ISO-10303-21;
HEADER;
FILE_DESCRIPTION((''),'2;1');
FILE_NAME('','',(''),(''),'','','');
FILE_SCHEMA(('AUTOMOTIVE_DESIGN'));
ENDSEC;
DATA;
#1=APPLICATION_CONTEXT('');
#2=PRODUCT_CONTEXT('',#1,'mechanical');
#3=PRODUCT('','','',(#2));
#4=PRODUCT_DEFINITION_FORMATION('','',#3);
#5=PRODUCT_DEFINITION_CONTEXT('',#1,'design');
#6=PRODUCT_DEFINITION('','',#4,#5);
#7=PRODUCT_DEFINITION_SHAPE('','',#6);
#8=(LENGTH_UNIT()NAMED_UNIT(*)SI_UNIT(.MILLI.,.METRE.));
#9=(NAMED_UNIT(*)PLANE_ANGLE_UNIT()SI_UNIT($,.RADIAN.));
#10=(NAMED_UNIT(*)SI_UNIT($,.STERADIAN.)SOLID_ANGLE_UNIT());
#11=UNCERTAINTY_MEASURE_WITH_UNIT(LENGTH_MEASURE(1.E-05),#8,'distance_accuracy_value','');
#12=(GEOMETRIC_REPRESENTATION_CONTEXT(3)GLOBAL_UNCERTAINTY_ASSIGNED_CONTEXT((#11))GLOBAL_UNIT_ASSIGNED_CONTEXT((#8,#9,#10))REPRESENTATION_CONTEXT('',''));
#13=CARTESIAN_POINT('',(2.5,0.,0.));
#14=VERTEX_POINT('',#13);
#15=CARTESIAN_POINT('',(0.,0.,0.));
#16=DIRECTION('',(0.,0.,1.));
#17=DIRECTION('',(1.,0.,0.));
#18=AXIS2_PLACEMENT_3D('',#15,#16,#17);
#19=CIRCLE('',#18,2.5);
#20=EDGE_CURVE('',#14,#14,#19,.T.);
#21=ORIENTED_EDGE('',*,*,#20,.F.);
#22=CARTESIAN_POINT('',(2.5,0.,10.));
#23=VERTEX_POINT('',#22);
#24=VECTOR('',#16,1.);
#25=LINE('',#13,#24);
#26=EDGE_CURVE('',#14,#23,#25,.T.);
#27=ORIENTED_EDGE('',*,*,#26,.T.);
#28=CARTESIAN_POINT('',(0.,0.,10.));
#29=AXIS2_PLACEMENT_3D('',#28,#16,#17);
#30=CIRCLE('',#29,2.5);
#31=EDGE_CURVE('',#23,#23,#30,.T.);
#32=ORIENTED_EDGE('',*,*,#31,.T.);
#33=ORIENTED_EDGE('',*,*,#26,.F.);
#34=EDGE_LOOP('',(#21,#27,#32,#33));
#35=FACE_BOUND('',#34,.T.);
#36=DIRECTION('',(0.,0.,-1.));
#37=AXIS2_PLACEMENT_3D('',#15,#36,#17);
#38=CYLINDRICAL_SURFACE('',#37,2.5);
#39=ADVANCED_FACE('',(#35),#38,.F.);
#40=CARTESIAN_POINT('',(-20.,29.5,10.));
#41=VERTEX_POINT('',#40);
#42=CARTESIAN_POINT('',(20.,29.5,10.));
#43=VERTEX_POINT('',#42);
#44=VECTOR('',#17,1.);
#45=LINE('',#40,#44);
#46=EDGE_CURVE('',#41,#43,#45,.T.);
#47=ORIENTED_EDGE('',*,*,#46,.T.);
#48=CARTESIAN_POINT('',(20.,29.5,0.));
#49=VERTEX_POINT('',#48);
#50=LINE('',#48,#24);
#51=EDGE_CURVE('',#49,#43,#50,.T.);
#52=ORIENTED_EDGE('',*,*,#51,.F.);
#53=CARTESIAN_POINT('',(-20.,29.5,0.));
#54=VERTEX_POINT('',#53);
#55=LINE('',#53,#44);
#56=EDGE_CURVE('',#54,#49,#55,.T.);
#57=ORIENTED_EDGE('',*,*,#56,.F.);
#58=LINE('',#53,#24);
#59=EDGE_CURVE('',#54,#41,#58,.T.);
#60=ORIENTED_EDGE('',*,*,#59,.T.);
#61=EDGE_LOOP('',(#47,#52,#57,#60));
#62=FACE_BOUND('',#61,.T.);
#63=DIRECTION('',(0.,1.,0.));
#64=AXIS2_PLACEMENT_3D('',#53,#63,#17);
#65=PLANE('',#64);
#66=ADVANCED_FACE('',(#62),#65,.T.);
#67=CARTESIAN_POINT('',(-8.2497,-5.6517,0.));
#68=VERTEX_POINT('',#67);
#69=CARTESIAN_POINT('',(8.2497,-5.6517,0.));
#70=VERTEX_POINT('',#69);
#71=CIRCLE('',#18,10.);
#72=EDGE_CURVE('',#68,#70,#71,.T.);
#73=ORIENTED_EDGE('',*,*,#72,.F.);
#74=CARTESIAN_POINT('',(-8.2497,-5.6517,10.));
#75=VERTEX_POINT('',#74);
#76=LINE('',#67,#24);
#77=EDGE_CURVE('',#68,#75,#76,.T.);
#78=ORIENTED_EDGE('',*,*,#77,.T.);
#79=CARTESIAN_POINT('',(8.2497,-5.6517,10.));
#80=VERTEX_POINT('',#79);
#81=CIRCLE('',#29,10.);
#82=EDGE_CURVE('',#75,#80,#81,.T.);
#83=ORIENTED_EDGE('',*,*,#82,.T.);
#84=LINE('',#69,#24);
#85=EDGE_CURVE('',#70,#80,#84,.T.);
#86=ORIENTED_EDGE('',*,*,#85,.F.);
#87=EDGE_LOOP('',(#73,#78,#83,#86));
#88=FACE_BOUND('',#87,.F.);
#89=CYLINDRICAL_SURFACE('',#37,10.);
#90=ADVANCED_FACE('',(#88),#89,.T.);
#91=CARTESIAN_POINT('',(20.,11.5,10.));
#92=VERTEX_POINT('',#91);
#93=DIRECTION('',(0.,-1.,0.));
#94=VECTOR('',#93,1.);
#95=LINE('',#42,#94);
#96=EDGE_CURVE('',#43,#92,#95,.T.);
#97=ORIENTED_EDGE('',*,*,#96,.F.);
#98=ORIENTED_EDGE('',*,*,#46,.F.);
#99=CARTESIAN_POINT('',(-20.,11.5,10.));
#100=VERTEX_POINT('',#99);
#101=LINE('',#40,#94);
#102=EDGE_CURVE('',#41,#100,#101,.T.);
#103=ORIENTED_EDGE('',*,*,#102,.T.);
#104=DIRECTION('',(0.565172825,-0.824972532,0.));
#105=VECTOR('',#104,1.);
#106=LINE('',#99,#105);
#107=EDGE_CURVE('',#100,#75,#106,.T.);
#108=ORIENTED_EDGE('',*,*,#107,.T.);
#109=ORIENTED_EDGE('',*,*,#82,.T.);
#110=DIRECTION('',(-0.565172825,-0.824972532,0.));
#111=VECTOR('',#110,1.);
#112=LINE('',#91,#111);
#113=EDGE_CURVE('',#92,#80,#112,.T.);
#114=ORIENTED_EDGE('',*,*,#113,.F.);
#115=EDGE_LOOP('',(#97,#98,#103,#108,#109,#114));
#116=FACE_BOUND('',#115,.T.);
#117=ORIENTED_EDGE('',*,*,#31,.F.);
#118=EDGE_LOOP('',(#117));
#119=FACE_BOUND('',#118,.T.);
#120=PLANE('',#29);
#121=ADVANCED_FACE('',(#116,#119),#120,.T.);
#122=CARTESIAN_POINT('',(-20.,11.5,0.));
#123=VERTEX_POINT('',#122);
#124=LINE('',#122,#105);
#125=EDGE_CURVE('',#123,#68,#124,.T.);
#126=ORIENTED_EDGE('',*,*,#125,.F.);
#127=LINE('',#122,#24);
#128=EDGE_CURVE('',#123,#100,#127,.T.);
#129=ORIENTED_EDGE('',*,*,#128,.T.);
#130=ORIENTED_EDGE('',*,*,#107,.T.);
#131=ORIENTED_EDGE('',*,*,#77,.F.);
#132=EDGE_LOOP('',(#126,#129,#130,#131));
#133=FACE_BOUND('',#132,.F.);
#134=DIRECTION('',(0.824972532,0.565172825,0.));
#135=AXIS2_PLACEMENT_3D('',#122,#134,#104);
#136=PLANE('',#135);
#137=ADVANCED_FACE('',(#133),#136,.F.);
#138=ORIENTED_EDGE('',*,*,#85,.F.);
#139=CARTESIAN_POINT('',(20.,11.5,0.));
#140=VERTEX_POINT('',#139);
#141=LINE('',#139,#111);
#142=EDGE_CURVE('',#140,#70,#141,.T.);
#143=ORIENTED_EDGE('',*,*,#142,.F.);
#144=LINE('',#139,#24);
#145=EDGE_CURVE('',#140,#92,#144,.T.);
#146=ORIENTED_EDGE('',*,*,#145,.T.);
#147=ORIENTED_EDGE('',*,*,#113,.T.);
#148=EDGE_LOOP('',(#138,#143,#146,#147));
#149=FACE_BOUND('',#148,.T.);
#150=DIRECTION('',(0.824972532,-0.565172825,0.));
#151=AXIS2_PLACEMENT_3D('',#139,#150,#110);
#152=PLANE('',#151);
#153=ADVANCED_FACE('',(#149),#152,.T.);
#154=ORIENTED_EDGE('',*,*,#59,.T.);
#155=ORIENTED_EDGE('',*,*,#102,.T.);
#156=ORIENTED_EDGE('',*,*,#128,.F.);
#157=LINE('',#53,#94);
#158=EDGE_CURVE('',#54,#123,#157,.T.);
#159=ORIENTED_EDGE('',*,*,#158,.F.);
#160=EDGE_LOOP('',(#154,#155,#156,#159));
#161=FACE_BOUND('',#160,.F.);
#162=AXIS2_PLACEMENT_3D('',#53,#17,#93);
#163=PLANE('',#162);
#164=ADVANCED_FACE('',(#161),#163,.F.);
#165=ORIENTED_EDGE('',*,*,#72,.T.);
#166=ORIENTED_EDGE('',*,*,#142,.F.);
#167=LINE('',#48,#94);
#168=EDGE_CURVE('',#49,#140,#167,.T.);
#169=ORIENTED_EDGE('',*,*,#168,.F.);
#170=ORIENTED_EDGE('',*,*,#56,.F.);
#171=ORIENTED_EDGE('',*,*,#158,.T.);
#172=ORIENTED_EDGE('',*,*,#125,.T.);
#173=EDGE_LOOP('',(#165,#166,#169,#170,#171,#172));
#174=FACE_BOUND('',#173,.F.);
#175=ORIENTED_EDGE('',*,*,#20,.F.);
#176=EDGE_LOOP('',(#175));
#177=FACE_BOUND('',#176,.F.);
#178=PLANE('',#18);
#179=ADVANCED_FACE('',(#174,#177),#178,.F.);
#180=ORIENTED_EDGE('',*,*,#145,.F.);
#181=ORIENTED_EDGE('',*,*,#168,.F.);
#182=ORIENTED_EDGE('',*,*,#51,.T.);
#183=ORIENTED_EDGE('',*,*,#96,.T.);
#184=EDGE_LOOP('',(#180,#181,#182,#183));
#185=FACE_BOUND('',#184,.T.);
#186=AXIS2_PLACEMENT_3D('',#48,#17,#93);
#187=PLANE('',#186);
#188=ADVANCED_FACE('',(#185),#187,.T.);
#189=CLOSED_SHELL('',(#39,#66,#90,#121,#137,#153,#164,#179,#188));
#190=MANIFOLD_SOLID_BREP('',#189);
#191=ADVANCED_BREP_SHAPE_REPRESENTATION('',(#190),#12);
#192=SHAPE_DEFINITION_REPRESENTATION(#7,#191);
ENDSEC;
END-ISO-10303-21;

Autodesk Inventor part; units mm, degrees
ref_plane "YZ Plane" through (0, 0, 0) normal (1, 0, 0) x (0, 1, 0)
ref_plane "XZ Plane" through (0, 0, 0) normal (0, 1, 0) x (-1, 0, 0)
ref_plane "XY Plane" through (0, 0, 0) normal (0, 0, 1) x (1, 0, 0)
sketch "Sketch1" plane through (0, 0, 0) normal (0, 0, 1) x (1, 0, 0)
  circle A0 centre (0, 0) radius 2.5
  line L0 (-20, 29.5) -> (20, 29.5)
  circle A1 centre (0, 0) radius 10
  line L1 (20, 29.5) -> (20, 11.5)
  line L2 (20, 11.5) -> (8.2497, -5.6517)
  line L3 (-20, 29.5) -> (-20, 11.5)
  line L4 (-20, 11.5) -> (-8.2497, -5.6517)
  dimension "d0" = 5
  dimension "d1" = 29.5
  dimension "d2" = 40
  dimension "d3" = 20
  dimension "d4" = 18
  dimension "d5" = 20
extrude "Extrusion1" add sketch "Sketch1" along normal blind 10
equation "\"d5\" = 0.5 * d2"
properties part number "chuck support"
